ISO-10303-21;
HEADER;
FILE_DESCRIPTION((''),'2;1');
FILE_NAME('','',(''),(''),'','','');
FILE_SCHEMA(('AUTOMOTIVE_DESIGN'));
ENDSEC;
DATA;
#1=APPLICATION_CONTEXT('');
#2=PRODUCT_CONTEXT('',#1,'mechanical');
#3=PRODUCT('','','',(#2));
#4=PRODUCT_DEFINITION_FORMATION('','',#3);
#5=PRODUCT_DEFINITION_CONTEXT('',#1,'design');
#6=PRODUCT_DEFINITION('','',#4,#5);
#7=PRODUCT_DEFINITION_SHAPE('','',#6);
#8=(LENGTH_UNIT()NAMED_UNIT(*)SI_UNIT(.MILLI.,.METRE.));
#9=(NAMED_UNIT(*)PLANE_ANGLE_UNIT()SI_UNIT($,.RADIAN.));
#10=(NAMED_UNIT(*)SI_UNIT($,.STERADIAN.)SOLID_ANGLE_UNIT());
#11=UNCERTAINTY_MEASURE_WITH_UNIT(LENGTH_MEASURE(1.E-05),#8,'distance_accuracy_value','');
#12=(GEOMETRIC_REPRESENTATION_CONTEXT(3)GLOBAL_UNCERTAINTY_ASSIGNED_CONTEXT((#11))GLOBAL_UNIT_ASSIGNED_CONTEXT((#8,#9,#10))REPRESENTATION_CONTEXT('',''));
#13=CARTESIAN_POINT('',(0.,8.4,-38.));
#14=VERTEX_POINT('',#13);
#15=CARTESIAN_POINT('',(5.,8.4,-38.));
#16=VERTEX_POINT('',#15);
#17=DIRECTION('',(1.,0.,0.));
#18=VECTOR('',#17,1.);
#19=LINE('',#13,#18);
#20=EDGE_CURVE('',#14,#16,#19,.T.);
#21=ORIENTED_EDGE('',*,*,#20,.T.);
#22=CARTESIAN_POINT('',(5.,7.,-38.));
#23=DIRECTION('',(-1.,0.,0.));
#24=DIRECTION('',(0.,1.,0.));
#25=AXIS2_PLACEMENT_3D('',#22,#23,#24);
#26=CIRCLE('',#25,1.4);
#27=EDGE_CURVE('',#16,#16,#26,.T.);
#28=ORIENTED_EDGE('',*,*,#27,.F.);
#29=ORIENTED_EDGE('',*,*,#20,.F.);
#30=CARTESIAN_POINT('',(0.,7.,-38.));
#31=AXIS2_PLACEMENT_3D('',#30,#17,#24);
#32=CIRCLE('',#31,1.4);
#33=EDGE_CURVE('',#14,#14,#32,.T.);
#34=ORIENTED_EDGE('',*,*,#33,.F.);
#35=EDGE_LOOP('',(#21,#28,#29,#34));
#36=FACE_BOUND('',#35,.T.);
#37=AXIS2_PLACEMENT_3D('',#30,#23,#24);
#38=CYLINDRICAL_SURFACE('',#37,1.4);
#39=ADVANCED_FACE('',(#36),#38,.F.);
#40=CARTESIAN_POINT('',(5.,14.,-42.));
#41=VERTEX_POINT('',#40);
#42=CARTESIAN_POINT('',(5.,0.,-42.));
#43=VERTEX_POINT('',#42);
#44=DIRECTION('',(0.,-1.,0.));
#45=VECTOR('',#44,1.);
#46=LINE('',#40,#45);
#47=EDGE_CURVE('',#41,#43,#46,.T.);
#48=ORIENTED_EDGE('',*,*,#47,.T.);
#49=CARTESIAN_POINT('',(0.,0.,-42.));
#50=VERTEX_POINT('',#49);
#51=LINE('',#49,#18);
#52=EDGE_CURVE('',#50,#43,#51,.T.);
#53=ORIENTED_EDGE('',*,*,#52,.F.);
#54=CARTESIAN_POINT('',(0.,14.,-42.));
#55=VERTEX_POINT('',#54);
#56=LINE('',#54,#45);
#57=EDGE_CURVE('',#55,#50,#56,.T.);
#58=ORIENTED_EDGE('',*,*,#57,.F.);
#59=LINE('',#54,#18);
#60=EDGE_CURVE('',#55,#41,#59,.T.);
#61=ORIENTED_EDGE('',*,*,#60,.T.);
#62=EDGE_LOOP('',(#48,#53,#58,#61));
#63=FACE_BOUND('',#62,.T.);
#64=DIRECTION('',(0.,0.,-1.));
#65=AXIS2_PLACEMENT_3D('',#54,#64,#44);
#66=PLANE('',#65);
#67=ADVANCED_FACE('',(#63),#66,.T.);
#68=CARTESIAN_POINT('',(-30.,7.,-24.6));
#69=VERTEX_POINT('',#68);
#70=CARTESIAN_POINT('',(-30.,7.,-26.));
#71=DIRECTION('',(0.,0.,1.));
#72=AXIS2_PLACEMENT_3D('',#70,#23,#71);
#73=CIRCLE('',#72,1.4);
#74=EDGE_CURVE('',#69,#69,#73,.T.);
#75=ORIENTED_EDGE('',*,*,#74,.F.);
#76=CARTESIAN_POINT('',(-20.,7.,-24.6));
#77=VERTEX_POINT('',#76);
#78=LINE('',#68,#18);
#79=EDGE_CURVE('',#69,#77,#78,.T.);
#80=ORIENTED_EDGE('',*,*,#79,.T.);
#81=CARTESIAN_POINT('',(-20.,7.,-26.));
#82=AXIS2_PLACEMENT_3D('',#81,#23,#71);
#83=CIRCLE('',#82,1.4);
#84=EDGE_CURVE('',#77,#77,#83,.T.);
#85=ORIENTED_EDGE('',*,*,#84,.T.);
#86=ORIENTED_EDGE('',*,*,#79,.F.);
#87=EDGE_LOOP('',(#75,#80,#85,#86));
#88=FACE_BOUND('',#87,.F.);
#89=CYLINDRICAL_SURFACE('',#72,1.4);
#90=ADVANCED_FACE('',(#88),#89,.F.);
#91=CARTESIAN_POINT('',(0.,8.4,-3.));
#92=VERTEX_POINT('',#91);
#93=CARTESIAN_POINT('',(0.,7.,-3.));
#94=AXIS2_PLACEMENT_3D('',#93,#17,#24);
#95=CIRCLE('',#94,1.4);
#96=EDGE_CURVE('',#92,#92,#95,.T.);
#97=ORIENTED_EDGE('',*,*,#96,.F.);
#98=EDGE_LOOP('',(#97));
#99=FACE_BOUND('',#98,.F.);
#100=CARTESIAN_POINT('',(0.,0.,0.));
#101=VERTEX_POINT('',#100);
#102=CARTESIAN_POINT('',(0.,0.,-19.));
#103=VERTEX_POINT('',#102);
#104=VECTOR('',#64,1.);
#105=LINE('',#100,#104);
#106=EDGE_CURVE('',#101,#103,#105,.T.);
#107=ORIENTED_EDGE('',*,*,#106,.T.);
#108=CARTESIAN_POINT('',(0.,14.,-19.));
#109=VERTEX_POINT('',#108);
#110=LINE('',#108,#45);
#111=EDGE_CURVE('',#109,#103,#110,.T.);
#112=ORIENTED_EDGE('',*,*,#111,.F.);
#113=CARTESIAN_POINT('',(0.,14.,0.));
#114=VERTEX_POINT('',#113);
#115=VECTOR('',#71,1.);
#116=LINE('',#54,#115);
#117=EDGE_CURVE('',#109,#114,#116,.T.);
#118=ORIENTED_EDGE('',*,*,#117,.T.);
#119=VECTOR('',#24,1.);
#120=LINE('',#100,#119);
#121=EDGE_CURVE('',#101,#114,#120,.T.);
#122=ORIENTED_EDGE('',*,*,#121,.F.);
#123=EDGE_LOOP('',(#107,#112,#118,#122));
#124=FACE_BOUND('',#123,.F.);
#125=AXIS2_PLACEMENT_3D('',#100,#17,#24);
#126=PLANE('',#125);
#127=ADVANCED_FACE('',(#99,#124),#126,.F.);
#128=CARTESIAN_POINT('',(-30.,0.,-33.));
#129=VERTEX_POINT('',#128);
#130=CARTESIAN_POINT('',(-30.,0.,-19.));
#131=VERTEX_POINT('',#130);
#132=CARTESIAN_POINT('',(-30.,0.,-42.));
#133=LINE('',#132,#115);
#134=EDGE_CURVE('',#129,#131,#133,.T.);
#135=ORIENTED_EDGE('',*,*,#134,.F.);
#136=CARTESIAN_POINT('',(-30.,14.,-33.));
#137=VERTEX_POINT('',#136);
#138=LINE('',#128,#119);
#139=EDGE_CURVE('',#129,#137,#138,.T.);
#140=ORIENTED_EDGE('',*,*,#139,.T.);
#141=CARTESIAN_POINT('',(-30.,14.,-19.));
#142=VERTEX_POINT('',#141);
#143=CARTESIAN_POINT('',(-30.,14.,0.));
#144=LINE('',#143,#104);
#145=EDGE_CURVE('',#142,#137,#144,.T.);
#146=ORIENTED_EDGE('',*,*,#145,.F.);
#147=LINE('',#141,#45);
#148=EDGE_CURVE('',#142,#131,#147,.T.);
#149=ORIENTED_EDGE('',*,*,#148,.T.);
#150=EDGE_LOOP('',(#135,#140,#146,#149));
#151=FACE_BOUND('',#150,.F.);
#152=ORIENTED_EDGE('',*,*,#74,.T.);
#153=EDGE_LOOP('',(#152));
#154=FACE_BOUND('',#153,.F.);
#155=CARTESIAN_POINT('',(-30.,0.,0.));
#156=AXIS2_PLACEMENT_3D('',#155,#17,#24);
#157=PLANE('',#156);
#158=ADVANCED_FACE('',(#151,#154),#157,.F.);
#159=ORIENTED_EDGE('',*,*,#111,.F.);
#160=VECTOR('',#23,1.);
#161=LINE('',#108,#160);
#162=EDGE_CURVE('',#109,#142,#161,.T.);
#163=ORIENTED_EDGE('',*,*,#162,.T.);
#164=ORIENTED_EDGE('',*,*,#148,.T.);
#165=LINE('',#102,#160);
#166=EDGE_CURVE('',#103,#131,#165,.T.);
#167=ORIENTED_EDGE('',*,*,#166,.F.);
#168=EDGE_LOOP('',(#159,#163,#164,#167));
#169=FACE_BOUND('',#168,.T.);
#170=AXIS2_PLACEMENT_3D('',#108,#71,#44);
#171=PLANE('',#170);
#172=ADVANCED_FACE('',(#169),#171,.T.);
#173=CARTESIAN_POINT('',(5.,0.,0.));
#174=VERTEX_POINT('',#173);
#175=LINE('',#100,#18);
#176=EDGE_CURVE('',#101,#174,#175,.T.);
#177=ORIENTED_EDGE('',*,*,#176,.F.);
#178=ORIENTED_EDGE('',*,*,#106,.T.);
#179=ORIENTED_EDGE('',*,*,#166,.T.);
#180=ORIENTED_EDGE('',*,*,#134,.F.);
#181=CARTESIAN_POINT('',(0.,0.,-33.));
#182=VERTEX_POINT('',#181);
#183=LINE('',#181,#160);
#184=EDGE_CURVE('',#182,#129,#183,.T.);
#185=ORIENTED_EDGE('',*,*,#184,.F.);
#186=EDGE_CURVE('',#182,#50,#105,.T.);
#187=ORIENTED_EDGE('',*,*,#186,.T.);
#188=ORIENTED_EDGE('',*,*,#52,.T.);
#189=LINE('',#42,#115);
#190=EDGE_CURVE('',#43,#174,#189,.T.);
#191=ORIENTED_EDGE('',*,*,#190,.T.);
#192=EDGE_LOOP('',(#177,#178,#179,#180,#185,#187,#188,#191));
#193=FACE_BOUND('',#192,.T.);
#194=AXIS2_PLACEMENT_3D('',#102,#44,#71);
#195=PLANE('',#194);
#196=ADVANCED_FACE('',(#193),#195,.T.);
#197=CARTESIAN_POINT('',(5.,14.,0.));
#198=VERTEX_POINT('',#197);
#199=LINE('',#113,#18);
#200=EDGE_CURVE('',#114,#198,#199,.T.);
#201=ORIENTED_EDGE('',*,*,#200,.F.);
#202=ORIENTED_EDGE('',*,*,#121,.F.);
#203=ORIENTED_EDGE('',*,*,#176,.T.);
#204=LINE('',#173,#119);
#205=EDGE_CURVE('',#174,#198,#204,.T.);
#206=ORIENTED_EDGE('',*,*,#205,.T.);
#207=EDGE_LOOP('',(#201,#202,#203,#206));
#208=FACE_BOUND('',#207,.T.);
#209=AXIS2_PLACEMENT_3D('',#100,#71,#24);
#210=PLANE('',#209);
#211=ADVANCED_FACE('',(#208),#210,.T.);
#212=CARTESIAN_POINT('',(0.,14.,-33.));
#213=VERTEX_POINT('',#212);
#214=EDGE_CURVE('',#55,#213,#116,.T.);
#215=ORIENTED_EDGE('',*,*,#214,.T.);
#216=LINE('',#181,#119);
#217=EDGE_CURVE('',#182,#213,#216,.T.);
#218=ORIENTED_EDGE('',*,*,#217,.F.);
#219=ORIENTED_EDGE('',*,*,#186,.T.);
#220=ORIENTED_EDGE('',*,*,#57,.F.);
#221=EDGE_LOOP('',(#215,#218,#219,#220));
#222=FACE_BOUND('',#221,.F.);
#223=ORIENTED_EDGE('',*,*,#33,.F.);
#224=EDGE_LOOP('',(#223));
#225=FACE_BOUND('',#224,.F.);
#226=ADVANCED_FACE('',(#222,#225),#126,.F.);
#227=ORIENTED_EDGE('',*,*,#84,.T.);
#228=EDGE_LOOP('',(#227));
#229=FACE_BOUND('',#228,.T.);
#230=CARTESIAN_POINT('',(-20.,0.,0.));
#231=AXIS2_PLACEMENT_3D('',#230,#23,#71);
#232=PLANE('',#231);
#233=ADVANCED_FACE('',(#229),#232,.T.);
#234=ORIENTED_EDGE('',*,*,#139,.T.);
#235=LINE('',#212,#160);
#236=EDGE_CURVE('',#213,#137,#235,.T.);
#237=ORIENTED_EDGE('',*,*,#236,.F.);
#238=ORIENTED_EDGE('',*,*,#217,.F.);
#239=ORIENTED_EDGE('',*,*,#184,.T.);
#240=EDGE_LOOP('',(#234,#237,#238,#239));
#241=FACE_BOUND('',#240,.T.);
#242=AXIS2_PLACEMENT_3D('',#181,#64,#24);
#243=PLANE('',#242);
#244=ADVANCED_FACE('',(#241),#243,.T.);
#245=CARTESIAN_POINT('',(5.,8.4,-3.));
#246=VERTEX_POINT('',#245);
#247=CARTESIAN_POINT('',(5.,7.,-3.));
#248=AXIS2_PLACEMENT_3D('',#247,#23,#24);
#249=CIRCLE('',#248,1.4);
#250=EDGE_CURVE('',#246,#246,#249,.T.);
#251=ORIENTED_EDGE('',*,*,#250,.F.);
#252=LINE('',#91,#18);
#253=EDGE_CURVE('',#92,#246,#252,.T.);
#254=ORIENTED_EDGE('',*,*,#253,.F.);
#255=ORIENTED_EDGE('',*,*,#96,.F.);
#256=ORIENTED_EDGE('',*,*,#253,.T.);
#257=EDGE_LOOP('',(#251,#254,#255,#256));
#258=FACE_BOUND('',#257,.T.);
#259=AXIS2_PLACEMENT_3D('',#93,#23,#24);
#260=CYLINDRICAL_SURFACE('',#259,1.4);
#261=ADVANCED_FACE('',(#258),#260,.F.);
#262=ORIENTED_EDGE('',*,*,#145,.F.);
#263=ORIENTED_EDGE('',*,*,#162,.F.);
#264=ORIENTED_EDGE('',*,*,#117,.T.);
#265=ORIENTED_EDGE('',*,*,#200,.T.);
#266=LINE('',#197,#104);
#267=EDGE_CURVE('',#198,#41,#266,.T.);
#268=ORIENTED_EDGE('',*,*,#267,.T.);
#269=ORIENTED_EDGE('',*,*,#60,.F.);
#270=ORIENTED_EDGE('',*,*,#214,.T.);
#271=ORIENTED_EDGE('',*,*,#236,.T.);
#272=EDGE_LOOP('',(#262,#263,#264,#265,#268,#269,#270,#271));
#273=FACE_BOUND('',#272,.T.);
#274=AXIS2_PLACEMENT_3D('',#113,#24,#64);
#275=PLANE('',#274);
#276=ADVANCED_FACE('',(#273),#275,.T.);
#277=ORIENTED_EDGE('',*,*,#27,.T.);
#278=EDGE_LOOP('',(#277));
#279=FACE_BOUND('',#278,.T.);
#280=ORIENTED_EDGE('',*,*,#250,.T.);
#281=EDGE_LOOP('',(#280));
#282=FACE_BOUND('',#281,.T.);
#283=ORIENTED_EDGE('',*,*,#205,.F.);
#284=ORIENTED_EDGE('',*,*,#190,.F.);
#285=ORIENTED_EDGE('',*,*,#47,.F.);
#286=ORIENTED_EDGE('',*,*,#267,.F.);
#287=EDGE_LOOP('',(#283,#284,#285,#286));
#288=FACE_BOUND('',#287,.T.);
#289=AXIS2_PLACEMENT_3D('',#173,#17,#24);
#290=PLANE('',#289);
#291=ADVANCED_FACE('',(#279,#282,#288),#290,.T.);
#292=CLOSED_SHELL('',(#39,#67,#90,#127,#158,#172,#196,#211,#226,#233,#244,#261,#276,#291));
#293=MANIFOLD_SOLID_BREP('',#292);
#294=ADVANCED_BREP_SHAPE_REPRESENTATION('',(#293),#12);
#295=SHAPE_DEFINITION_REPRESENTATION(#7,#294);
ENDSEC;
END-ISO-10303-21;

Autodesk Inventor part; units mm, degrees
ref_plane "YZ Plane" through (0, 0, 0) normal (1, 0, 0) x (0, 1, 0)
ref_plane "XZ Plane" through (0, 0, 0) normal (0, 1, 0) x (-1, 0, 0)
ref_plane "XY Plane" through (0, 0, 0) normal (0, 0, 1) x (1, 0, 0)
sketch "Sketch1" plane through (0, 0, 0) normal (1, 0, 0) x (0, 1, 0)
  line L0 (0, 0) -> (14, 0)
  line L1 (14, 0) -> (14, -42)
  line L2 (14, -42) -> (0, -42)
  line L3 (0, -42) -> (0, 0)
  line L4 (14, -19) -> (0, -19)
  line L5 (0, -19) -> (0, -33)
  line L6 (0, -33) -> (14, -33)
  line L7 (14, -33) -> (14, -19)
  circle A0 centre (7, -3) radius 1.4
  circle A1 centre (7, -38) radius 1.4
  point P0 (14, -33)
  point P1 (0, -19)
  dimension "d10" = 14
  dimension "d11" = 42
  dimension "d12" = 14
  dimension "d14" = 2.8
  dimension "d15" = 2.8
  dimension "d16" = 35
  dimension "d17" = 4
  dimension "d18" = 5
extrude "Extrusion1" add sketch "Sketch1" along normal blind 5 contours L0 L1 L4 L3 | L4 L1 L6 L3 | L6 L1 L2 L3 | A0 | A1
extrude "Extrusion2" add sketch "Sketch1" against normal blind 30 contours L4 L1 L6 L3
sketch "Sketch4" plane through (-30, 0, 0) normal (-1, 0, 0) x (0, 0, 1)
  line L0 (0, 0) -> (-42, 0) projected
  line L1 (-19, 14) -> (-19, 0) projected
  circle A0 centre (-26, 7) radius 1.4
  dimension "d19" = 2.8
extrude "Extrusion5" cut sketch "Sketch4" against normal blind 10
extrude "Extrusion6" cut sketch "Sketch1" along normal blind 10 contours A0 | A1
properties part number "_3DPrint"
